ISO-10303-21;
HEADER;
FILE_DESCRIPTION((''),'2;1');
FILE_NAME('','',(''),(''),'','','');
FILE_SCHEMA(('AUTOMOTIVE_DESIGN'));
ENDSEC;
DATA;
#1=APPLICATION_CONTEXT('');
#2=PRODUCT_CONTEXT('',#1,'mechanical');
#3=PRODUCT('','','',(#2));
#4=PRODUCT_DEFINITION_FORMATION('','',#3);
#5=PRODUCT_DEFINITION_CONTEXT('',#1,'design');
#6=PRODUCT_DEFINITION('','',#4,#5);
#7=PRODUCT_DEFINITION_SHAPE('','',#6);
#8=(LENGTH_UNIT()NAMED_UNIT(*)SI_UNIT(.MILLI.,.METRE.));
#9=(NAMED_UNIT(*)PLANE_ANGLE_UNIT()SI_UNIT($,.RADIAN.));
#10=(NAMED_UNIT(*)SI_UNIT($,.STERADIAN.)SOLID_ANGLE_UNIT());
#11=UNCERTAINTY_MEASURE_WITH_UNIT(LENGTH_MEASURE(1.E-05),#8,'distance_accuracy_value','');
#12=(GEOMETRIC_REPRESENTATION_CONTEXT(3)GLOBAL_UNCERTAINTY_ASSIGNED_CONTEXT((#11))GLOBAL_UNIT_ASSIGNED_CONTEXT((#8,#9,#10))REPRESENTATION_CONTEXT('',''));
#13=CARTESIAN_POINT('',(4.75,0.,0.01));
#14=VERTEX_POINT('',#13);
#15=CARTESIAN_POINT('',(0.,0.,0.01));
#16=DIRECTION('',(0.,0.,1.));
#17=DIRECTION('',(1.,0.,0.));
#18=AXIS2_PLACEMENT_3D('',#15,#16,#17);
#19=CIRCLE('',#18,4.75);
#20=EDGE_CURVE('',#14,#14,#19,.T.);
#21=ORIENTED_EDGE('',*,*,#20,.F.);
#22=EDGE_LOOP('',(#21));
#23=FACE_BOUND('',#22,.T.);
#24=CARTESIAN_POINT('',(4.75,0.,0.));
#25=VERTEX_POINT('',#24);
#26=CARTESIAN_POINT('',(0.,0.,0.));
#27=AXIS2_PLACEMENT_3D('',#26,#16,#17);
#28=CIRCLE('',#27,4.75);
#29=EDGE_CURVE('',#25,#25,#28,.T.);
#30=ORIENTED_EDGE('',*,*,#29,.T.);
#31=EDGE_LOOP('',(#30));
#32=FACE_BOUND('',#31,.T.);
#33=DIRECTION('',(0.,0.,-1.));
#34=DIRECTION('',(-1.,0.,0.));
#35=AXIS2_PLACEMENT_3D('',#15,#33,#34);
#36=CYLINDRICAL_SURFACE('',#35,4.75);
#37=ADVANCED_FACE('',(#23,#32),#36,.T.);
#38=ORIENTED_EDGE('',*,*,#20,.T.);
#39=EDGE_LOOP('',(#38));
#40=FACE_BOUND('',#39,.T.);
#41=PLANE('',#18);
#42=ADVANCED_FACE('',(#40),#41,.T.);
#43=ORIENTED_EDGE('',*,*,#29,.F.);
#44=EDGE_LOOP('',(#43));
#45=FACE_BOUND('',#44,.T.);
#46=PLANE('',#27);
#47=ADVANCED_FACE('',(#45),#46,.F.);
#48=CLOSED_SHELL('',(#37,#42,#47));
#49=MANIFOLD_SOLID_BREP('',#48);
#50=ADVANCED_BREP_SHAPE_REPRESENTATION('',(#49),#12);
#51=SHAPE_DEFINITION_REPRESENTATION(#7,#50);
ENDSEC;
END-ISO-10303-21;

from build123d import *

# Parameters (mm, degrees)
SKETCH1_R           = 4.75
BOSS_EXTRUDE1_DEPTH = 0.01


with BuildPart() as part:
    # Sketch1 → Boss-Extrude1 (new body)
    with BuildSketch(Plane.XY):
        Circle(SKETCH1_R)
    extrude(amount=BOSS_EXTRUDE1_DEPTH)


solid = part.part
